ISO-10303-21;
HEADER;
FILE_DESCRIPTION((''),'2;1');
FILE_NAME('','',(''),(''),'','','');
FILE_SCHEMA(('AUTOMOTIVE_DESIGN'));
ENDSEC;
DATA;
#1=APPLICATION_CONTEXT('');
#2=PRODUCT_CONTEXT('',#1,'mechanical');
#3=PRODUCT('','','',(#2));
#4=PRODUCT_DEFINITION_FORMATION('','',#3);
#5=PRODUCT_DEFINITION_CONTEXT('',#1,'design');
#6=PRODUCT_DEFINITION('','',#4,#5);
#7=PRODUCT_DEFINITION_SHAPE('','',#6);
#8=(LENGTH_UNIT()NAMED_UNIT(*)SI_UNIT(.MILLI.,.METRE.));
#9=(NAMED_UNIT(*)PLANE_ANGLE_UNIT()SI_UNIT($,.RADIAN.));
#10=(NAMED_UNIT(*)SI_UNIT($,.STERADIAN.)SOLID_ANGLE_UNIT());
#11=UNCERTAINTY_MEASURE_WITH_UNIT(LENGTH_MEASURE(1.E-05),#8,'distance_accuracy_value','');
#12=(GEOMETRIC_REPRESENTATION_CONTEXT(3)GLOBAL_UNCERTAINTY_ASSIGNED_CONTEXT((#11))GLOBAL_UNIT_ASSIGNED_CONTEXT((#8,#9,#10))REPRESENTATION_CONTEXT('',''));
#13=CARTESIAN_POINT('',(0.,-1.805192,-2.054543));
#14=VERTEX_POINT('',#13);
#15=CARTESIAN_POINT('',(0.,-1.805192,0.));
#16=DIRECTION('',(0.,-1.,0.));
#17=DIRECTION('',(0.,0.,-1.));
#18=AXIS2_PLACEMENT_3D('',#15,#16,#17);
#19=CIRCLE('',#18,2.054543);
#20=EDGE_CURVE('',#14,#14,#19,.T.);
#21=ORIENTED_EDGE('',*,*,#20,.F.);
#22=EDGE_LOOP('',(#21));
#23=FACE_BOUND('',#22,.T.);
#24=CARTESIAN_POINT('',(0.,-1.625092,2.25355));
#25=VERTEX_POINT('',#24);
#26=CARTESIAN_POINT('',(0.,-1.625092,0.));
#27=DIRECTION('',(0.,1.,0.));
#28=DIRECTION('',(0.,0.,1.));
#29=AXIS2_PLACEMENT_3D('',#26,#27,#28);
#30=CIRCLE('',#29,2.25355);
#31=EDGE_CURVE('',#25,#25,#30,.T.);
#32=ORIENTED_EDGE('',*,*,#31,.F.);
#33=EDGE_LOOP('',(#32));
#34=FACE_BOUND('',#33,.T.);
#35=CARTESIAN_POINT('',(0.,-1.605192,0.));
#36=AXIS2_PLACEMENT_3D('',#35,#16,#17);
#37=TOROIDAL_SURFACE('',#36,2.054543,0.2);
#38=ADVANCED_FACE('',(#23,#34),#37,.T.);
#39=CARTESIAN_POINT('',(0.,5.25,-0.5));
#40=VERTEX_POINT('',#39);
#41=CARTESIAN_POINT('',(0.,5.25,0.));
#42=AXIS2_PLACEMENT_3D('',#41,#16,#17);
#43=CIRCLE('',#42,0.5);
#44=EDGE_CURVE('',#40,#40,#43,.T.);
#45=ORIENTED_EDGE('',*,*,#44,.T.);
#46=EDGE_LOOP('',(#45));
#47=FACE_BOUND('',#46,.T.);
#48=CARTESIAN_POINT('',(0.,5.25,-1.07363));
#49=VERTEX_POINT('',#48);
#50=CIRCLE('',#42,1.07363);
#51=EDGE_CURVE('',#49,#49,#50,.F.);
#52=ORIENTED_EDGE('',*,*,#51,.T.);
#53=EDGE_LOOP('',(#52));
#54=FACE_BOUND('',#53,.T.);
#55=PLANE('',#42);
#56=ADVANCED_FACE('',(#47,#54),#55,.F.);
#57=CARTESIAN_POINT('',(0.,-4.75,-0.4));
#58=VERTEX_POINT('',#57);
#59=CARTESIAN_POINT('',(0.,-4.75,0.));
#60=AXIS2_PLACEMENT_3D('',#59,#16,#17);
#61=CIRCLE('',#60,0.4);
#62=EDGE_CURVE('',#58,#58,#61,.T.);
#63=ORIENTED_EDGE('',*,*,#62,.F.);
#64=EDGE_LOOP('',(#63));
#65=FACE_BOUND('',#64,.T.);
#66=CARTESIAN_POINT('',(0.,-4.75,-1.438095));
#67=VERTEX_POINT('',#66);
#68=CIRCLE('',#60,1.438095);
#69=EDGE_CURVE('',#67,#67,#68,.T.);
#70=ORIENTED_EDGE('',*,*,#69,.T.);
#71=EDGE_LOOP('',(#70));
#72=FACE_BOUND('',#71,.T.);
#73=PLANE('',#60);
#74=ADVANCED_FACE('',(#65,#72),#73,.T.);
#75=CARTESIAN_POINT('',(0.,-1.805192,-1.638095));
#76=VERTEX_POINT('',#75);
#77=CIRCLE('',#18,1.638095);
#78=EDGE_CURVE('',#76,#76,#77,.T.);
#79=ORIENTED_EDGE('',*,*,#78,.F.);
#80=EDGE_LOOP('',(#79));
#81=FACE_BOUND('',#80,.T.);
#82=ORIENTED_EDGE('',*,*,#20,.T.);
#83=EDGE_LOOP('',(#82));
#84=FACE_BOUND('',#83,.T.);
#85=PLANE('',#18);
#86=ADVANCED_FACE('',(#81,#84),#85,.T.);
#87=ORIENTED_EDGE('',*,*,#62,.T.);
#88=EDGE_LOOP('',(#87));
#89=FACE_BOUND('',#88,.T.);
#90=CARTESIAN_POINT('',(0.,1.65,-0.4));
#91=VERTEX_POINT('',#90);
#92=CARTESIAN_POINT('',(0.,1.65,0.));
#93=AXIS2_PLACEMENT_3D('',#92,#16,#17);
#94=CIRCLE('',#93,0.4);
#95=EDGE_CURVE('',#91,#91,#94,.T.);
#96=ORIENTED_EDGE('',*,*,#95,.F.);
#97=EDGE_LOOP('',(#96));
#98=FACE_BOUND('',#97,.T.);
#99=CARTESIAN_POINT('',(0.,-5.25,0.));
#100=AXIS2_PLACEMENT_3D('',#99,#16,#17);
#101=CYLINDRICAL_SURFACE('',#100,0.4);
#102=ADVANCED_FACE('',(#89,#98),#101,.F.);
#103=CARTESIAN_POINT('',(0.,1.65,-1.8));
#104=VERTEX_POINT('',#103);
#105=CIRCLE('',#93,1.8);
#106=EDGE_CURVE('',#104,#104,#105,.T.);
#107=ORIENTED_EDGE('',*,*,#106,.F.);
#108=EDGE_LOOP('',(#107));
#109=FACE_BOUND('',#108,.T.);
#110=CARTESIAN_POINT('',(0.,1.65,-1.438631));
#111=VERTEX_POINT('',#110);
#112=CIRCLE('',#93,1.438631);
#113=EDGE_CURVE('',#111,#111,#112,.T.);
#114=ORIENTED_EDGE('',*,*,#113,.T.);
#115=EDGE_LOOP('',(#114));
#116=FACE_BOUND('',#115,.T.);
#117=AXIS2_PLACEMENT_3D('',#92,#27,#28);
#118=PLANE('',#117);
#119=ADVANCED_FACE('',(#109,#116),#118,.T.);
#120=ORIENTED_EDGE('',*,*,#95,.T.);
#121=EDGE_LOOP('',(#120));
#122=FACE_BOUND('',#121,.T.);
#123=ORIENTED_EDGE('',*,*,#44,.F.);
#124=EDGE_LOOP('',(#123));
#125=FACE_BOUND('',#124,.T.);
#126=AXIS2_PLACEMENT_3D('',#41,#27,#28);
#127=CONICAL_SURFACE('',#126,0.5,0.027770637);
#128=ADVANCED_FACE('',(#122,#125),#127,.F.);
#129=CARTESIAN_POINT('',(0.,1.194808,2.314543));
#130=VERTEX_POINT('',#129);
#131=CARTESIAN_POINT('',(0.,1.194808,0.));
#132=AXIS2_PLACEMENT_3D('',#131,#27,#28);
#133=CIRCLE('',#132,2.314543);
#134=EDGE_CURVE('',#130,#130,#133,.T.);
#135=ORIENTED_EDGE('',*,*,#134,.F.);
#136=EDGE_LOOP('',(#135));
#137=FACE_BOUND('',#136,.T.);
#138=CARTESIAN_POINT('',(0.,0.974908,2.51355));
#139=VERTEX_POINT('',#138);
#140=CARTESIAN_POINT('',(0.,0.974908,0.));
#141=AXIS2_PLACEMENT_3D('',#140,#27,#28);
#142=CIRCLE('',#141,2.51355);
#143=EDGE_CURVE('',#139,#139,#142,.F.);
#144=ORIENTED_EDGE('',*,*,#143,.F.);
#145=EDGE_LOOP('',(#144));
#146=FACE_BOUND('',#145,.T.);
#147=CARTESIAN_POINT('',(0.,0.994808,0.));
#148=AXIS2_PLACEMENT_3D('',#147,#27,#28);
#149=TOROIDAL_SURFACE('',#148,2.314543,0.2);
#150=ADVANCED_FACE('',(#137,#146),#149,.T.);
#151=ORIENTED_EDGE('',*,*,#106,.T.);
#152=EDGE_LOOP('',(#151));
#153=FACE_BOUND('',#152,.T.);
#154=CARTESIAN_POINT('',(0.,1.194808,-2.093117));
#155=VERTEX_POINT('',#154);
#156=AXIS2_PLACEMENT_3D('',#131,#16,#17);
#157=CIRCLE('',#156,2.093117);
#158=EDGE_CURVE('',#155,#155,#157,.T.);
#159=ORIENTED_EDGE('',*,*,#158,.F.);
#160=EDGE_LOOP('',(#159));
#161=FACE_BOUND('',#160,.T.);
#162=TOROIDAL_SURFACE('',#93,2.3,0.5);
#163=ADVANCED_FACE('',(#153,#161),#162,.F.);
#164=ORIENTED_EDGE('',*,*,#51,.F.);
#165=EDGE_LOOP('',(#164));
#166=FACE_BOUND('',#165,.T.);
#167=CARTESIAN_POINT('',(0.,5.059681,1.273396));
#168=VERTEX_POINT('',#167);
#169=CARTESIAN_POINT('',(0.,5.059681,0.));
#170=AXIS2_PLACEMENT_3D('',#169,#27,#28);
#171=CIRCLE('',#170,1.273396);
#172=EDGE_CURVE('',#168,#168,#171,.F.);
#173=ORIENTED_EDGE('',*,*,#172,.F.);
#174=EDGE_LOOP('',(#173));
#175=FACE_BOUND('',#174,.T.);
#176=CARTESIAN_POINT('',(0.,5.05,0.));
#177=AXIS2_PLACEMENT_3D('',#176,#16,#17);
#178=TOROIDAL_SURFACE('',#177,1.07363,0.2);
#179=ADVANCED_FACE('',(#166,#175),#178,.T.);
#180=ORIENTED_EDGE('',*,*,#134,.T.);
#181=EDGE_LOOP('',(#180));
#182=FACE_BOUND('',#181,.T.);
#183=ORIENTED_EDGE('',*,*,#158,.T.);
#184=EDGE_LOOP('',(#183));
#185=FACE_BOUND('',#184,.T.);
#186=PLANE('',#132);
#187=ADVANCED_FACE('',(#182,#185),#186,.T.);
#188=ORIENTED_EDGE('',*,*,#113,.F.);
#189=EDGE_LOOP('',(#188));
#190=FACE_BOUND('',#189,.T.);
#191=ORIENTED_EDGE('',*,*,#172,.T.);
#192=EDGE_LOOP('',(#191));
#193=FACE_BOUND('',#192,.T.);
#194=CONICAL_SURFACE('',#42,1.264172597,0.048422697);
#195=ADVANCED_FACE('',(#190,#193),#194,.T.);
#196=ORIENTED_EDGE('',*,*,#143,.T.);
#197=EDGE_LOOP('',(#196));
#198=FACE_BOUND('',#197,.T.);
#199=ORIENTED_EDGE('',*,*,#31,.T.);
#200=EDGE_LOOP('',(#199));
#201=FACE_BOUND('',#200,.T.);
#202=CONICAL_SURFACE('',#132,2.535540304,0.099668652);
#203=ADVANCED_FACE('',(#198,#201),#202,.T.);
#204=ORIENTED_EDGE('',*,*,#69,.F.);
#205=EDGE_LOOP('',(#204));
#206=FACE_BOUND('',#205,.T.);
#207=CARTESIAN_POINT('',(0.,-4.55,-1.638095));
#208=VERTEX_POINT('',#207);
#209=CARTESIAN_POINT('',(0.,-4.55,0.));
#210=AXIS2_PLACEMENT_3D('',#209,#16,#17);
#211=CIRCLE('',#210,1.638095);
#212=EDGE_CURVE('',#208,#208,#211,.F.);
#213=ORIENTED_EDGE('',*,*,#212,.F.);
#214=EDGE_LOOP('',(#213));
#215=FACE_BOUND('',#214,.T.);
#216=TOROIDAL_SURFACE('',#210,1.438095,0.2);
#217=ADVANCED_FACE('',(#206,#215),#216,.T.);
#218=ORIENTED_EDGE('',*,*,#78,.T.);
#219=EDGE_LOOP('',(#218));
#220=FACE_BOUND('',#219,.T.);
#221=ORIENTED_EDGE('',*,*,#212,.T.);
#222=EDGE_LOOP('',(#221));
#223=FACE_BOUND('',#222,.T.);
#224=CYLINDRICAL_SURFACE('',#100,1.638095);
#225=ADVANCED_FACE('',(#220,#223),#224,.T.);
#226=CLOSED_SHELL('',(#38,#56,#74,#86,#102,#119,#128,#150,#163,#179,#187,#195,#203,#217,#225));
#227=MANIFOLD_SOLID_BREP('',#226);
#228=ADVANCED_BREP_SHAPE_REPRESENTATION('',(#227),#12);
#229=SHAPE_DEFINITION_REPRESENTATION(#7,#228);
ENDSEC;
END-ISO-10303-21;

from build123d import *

# Parameters (mm, degrees)
FILLET1_R = 0.2
FILLET2_R = 0.2
FILLET3_R = 0.2


with BuildPart() as part:
    # Sketch2 → Revolve1 (revolve)
    with BuildSketch(Plane.XY, mode=Mode.PRIVATE) as revolve1_sk:
        with BuildLine():
            Line((-0.4, -4.75), (-1.638095238, -4.75))
            Line((-1.638095238, -4.75), (-1.638095238, -1.805191747))
            Line((-1.638095238, -1.805191747), (-2.235540304, -1.805191747))
            Line((-2.235540304, -1.805191747), (-2.535540304, 1.194808253))
            Line((-2.535540304, 1.194808253), (-2.093117248, 1.194808253))
            ThreePointArc((-2.093117248, 1.194808253), (-1.879618402, 1.379298482), (-1.8, 1.65))
            Line((-1.8, 1.65), (-1.438630681, 1.65))
            Line((-1.438630681, 1.65), (-1.264172597, 5.25))
            Line((-1.264172597, 5.25), (-0.5, 5.25))
            Line((-0.5, 5.25), (-0.4, 1.65))
            Line((-0.4, 1.65), (-0.4, 1.194808253))
            Line((-0.4, 1.194808253), (-0.4, -1.805191747))
            Line((-0.4, -1.805191747), (-0.4, -4.75))
        make_face()
    revolve(revolve1_sk.sketch.rotate(Axis((0, -5.25, 0), (0, 1, 0)), 270), axis=Axis((0, -5.25, 0), (0, 1, 0)))

    # Fillet1
    fillet1_edges = [part.edges().sort_by_distance(p)[0] for p in [
        (0, 5.25, 1.264172597),
    ]]
    fillet(fillet1_edges, radius=FILLET1_R)

    # Fillet2
    fillet2_edges = [part.edges().sort_by_distance(p)[0] for p in [
        (0, -4.75, 1.638095238),
    ]]
    fillet(fillet2_edges, radius=FILLET2_R)

    # Fillet3
    fillet3_edges = [part.edges().sort_by_distance(p)[0] for p in [
        (0, -1.805191747, 2.235540304),
        (0, 1.194808253, 2.535540304),
    ]]
    fillet(fillet3_edges, radius=FILLET3_R)


solid = part.part
